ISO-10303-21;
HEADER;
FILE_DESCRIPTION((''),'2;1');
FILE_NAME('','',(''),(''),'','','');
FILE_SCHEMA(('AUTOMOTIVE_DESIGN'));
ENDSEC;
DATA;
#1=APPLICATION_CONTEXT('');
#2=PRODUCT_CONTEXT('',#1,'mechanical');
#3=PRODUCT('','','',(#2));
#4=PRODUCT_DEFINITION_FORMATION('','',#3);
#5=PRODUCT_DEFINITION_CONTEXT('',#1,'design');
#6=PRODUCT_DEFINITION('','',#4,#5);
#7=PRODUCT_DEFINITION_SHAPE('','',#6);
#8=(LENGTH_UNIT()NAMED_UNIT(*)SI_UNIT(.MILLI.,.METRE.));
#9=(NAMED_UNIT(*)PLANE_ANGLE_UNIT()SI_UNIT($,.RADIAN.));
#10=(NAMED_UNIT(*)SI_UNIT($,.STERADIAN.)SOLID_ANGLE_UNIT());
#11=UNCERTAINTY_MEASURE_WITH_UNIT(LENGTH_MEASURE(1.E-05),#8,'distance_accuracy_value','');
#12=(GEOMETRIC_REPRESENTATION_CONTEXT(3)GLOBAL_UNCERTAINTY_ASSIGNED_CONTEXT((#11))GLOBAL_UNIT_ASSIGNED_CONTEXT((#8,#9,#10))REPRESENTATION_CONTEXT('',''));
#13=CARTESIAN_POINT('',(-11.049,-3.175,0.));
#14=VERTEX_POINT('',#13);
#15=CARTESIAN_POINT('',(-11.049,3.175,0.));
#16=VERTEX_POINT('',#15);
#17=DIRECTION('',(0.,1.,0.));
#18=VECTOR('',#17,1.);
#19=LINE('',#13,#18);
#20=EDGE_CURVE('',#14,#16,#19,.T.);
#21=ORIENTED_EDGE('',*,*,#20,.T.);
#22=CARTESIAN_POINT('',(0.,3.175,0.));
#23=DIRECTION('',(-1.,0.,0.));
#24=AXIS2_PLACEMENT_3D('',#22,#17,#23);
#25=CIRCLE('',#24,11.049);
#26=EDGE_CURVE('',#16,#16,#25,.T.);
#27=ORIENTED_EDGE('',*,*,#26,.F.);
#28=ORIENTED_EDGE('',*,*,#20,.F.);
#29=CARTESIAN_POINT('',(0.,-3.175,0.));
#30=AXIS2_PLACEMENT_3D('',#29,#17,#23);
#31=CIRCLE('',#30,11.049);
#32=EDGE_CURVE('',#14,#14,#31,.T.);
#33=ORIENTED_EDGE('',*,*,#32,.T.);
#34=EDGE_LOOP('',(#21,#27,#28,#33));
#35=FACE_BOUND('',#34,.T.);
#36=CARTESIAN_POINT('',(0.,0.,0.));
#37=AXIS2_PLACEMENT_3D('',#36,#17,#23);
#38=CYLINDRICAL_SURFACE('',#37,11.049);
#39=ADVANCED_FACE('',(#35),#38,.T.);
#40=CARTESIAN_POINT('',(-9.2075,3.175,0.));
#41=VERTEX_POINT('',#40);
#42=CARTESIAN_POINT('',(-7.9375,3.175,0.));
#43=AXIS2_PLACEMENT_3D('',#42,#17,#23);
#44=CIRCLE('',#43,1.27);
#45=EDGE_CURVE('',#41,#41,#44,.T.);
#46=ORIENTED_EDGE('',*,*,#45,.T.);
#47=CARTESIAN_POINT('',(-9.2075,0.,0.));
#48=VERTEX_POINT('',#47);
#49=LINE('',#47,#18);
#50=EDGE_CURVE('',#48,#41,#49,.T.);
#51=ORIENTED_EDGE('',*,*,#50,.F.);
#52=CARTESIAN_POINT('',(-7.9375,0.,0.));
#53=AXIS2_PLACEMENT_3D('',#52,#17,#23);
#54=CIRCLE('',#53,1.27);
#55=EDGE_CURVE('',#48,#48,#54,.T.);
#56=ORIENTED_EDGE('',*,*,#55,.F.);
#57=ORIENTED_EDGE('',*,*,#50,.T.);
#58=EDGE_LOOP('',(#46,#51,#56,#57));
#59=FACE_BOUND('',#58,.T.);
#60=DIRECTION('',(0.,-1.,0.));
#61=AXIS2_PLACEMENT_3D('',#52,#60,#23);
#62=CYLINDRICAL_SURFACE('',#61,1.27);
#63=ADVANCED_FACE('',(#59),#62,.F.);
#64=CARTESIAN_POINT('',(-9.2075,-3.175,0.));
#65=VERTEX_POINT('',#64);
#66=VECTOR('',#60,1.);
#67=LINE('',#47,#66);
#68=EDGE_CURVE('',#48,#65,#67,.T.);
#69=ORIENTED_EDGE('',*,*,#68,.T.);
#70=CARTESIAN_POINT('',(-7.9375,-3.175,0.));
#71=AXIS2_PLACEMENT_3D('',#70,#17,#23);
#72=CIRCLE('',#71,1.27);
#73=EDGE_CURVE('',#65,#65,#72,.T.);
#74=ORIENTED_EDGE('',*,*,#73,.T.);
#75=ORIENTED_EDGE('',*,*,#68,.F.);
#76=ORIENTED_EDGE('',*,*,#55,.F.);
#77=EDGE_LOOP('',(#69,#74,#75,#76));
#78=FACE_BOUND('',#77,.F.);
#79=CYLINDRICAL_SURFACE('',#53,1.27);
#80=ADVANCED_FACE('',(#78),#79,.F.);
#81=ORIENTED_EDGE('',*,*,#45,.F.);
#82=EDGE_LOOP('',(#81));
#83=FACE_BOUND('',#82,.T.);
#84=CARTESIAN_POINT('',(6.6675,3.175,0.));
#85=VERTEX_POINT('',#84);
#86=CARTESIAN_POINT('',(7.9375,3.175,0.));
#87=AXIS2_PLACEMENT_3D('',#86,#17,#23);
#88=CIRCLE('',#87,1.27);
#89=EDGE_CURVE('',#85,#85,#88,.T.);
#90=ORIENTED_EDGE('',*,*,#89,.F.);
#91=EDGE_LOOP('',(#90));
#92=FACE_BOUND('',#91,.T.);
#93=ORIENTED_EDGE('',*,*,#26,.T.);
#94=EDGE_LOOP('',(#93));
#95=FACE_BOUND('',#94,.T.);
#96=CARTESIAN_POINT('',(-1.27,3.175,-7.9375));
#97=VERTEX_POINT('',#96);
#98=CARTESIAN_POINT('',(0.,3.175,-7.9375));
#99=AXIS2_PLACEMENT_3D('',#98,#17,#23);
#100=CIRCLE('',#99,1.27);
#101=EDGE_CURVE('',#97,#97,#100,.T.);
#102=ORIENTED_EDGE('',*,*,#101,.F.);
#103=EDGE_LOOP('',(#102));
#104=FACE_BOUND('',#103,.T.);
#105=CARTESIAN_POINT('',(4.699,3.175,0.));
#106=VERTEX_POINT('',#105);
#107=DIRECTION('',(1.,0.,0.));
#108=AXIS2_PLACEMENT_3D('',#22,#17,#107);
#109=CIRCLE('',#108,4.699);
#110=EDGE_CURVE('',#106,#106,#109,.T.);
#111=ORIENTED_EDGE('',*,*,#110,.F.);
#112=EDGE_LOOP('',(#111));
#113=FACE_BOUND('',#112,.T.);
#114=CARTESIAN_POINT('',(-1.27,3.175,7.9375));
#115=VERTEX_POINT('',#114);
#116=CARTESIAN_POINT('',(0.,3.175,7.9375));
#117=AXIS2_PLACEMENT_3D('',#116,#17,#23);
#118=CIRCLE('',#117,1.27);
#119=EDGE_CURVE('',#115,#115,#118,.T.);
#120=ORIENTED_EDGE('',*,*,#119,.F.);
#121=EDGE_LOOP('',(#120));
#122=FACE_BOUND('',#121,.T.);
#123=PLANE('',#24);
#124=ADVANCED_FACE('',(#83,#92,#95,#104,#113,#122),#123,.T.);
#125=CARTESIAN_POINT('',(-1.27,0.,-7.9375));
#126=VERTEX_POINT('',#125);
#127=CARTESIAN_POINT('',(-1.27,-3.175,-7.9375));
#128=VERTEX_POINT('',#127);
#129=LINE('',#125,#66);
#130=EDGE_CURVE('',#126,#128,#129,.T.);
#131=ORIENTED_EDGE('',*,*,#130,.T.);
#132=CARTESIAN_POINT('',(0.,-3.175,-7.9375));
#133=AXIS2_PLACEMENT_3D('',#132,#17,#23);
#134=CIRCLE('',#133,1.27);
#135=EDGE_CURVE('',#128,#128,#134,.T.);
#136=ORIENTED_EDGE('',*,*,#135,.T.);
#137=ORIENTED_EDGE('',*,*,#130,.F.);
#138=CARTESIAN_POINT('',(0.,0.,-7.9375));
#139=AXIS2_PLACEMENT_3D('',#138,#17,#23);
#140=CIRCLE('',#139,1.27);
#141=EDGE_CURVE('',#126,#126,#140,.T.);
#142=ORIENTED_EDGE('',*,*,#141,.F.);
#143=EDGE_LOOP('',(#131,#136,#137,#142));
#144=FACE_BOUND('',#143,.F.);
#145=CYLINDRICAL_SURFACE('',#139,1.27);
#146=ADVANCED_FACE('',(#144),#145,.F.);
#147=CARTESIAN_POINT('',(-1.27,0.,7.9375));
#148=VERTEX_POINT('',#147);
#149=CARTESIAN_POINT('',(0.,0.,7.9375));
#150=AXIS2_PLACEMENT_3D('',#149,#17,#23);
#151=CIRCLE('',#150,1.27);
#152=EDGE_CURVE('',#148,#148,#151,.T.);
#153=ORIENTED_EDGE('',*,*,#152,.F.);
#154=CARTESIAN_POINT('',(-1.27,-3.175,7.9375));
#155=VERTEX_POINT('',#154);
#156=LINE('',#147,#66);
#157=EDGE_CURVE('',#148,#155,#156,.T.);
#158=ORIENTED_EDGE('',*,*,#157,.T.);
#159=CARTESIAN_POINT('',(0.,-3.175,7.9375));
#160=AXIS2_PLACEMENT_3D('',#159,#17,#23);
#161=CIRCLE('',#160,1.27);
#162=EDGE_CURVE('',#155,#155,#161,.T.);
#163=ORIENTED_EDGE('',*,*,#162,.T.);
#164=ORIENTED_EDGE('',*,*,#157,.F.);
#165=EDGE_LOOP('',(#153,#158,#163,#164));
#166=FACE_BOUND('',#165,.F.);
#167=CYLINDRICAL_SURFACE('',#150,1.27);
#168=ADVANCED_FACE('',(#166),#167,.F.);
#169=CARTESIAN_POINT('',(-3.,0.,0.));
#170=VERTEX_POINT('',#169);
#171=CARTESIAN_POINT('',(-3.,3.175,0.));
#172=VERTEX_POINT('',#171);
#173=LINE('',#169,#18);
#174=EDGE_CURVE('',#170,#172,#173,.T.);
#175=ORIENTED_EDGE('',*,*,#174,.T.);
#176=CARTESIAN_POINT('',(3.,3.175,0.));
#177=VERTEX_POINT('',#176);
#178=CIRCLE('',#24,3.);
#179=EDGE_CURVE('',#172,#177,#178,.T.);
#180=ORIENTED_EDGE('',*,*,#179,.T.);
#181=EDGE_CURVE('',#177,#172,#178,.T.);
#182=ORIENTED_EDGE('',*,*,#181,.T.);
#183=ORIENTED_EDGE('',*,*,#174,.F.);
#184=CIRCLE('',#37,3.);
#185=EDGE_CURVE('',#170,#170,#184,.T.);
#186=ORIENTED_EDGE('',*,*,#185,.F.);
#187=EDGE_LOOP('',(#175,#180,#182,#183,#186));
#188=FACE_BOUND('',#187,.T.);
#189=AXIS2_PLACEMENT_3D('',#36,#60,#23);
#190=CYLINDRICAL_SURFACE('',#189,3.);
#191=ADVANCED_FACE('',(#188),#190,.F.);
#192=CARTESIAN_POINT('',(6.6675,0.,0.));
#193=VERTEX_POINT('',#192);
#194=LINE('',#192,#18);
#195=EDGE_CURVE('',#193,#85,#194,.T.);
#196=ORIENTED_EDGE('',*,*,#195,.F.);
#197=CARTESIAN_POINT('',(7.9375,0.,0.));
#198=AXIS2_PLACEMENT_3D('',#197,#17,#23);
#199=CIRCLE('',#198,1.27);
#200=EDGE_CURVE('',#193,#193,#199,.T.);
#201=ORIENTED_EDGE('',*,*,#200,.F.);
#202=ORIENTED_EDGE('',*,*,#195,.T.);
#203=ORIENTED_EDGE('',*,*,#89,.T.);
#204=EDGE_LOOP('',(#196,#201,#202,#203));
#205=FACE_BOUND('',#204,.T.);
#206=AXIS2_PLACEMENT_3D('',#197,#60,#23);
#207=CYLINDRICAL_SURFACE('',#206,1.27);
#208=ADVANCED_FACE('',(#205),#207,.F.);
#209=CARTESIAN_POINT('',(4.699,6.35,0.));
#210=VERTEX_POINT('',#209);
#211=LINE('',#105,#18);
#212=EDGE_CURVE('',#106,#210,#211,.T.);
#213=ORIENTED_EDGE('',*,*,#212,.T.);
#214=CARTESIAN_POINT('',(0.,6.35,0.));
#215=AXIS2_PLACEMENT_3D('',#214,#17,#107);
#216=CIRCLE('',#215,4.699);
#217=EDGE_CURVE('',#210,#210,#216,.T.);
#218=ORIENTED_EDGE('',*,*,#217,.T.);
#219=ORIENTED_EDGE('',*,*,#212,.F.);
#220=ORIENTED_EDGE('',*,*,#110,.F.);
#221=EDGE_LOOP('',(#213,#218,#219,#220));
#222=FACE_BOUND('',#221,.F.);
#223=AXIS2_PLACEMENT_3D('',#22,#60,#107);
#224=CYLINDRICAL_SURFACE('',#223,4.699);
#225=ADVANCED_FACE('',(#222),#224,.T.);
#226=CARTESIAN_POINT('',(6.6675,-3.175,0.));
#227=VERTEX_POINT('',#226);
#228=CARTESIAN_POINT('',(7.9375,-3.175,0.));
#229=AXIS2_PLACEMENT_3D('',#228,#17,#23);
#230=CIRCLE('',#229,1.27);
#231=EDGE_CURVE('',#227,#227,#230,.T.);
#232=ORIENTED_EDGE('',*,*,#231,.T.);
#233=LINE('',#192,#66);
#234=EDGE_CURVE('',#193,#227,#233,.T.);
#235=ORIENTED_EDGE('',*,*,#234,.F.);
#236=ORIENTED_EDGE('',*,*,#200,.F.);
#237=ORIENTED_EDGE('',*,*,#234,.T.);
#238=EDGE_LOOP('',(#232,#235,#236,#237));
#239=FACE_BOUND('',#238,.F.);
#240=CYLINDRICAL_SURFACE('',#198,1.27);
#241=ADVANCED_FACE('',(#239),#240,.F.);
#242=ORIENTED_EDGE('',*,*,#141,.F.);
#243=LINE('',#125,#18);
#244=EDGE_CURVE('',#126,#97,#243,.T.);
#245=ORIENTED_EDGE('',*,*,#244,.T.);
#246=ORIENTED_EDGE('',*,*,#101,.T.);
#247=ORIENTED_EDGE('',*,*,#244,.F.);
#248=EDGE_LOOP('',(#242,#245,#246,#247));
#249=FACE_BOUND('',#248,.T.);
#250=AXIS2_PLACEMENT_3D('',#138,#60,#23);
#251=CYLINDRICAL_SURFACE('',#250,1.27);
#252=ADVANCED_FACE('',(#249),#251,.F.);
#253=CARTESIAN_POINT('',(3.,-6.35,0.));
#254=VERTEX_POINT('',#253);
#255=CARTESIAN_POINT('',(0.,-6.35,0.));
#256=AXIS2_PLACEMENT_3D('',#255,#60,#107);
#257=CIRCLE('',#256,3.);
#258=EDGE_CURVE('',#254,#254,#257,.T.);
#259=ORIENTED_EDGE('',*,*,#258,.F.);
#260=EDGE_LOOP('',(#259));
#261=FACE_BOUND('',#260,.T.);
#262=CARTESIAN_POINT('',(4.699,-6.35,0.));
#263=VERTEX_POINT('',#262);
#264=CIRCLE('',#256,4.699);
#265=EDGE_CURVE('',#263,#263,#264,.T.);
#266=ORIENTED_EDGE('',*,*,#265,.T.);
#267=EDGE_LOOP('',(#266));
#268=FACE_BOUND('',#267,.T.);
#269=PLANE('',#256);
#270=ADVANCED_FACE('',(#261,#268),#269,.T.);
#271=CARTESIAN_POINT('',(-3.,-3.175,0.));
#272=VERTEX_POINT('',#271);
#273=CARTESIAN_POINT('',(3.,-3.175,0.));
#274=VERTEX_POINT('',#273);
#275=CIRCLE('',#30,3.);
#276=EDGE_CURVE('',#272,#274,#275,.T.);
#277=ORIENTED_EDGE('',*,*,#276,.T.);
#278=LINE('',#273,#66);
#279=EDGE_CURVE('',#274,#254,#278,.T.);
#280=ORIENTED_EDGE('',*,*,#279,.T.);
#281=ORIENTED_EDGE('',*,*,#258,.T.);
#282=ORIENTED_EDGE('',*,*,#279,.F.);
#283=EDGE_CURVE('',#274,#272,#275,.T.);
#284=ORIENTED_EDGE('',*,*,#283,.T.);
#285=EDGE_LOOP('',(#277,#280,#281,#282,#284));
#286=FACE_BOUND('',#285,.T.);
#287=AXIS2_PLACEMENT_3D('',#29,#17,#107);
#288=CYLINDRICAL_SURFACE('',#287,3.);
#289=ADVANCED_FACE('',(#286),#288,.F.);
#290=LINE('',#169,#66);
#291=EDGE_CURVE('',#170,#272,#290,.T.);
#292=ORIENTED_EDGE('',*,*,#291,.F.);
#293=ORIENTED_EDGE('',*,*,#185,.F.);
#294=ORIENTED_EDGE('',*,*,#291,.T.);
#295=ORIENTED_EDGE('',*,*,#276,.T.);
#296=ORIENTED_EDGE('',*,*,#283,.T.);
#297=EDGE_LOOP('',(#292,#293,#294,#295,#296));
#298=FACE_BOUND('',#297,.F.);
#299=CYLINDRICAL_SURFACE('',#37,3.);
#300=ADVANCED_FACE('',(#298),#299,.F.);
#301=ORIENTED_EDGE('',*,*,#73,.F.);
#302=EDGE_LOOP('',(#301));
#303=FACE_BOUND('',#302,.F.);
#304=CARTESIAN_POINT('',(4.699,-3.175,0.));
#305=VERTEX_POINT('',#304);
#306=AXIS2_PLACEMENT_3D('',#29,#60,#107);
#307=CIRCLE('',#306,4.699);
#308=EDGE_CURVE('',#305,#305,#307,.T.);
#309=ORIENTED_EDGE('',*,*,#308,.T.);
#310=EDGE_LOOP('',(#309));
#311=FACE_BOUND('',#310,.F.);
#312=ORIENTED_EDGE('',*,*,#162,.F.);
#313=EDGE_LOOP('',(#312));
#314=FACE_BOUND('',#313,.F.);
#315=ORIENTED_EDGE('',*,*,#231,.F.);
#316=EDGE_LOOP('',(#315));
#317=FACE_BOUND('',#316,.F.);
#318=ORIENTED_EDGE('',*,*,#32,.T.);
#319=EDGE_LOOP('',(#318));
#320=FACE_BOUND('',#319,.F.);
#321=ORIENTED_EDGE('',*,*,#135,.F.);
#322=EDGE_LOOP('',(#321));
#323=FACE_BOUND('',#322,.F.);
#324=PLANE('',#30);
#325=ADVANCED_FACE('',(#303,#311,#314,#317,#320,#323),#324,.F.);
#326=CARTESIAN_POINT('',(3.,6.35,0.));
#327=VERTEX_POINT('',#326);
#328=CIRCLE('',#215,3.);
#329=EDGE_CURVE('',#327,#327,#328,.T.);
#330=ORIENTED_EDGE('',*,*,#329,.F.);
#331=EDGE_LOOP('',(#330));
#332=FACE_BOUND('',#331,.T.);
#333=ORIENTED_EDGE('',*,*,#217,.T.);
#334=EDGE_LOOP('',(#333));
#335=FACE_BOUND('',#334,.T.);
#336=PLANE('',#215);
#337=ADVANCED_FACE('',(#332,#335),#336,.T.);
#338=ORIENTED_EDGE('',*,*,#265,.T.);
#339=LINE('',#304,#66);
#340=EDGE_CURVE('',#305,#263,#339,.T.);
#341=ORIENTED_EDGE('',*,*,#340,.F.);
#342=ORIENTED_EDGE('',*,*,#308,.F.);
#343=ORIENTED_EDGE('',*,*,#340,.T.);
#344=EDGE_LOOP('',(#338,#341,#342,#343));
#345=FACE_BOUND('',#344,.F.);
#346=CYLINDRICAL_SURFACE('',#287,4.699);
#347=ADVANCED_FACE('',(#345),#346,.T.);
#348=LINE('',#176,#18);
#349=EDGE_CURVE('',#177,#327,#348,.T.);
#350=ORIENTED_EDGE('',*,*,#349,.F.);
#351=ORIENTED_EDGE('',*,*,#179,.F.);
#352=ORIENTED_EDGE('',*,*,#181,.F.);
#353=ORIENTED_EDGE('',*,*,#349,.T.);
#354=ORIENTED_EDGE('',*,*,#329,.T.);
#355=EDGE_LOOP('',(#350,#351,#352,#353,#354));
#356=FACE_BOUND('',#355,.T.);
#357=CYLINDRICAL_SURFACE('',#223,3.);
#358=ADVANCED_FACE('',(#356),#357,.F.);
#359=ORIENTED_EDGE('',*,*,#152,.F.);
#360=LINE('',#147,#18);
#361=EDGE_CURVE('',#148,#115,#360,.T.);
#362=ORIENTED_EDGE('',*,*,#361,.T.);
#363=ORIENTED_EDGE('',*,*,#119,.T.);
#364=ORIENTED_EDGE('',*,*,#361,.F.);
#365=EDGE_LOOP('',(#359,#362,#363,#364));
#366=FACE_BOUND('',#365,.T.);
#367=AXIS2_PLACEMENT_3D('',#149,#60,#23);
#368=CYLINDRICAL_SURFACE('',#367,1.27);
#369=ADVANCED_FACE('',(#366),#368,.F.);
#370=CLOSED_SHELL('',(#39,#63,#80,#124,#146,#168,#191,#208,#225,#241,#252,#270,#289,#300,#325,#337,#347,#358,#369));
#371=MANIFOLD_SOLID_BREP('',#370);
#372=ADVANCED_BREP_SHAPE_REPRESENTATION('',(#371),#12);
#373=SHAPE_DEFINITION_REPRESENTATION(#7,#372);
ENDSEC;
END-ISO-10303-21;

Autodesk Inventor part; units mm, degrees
ref_plane "YZ Plane" through (0, 0, 0) normal (1, 0, 0) x (0, 1, 0)
ref_plane "XZ Plane" through (0, 0, 0) normal (0, 1, 0) x (-1, 0, 0)
ref_plane "XY Plane" through (0, 0, 0) normal (0, 0, 1) x (1, 0, 0)
sketch "Sketch1" plane through (0, 0, 0) normal (0, 1, 0) x (-1, 0, 0)
  circle A0 centre (0, 0) radius 3
  circle A1 centre (0, 0) radius 11.049
  circle A2 centre (0, -7.9375) radius 1.27
  circle A3 centre (7.9375, 0) radius 1.27
  circle A4 centre (0, 7.9375) radius 1.27
  circle A5 centre (-7.9375, 0) radius 1.27
  dimension "d4" = 6
  dimension "d6" = 22.098
  dimension "d10" = 2.54
  dimension "d11" = 7.9375
  dimension "d14" = 360
extrude "Extrusion1" add sketch "Sketch1" along normal mid plane 6.35
sketch "Sketch2" plane through (0, 3.175, 0) normal (0, 1, 0) x (1, 0, 0)
  circle A0 centre (0, 0) radius 3
  circle A1 centre (0, 0) radius 4.699
  dimension "d18" = 6
  dimension "d19" = 9.398
extrude "Extrusion2" add sketch "Sketch2" along normal blind 3.175
sketch "Sketch3" plane through (0, -3.175, 0) normal (0, -1, 0) x (1, 0, 0)
  circle A0 centre (0, 0) radius 3
  circle A1 centre (0, 0) radius 4.699
  dimension "d22" = 6
  dimension "d23" = 9.398
extrude "Extrusion3" add sketch "Sketch3" along normal blind 3.175
properties part number "CouplingScrew"
